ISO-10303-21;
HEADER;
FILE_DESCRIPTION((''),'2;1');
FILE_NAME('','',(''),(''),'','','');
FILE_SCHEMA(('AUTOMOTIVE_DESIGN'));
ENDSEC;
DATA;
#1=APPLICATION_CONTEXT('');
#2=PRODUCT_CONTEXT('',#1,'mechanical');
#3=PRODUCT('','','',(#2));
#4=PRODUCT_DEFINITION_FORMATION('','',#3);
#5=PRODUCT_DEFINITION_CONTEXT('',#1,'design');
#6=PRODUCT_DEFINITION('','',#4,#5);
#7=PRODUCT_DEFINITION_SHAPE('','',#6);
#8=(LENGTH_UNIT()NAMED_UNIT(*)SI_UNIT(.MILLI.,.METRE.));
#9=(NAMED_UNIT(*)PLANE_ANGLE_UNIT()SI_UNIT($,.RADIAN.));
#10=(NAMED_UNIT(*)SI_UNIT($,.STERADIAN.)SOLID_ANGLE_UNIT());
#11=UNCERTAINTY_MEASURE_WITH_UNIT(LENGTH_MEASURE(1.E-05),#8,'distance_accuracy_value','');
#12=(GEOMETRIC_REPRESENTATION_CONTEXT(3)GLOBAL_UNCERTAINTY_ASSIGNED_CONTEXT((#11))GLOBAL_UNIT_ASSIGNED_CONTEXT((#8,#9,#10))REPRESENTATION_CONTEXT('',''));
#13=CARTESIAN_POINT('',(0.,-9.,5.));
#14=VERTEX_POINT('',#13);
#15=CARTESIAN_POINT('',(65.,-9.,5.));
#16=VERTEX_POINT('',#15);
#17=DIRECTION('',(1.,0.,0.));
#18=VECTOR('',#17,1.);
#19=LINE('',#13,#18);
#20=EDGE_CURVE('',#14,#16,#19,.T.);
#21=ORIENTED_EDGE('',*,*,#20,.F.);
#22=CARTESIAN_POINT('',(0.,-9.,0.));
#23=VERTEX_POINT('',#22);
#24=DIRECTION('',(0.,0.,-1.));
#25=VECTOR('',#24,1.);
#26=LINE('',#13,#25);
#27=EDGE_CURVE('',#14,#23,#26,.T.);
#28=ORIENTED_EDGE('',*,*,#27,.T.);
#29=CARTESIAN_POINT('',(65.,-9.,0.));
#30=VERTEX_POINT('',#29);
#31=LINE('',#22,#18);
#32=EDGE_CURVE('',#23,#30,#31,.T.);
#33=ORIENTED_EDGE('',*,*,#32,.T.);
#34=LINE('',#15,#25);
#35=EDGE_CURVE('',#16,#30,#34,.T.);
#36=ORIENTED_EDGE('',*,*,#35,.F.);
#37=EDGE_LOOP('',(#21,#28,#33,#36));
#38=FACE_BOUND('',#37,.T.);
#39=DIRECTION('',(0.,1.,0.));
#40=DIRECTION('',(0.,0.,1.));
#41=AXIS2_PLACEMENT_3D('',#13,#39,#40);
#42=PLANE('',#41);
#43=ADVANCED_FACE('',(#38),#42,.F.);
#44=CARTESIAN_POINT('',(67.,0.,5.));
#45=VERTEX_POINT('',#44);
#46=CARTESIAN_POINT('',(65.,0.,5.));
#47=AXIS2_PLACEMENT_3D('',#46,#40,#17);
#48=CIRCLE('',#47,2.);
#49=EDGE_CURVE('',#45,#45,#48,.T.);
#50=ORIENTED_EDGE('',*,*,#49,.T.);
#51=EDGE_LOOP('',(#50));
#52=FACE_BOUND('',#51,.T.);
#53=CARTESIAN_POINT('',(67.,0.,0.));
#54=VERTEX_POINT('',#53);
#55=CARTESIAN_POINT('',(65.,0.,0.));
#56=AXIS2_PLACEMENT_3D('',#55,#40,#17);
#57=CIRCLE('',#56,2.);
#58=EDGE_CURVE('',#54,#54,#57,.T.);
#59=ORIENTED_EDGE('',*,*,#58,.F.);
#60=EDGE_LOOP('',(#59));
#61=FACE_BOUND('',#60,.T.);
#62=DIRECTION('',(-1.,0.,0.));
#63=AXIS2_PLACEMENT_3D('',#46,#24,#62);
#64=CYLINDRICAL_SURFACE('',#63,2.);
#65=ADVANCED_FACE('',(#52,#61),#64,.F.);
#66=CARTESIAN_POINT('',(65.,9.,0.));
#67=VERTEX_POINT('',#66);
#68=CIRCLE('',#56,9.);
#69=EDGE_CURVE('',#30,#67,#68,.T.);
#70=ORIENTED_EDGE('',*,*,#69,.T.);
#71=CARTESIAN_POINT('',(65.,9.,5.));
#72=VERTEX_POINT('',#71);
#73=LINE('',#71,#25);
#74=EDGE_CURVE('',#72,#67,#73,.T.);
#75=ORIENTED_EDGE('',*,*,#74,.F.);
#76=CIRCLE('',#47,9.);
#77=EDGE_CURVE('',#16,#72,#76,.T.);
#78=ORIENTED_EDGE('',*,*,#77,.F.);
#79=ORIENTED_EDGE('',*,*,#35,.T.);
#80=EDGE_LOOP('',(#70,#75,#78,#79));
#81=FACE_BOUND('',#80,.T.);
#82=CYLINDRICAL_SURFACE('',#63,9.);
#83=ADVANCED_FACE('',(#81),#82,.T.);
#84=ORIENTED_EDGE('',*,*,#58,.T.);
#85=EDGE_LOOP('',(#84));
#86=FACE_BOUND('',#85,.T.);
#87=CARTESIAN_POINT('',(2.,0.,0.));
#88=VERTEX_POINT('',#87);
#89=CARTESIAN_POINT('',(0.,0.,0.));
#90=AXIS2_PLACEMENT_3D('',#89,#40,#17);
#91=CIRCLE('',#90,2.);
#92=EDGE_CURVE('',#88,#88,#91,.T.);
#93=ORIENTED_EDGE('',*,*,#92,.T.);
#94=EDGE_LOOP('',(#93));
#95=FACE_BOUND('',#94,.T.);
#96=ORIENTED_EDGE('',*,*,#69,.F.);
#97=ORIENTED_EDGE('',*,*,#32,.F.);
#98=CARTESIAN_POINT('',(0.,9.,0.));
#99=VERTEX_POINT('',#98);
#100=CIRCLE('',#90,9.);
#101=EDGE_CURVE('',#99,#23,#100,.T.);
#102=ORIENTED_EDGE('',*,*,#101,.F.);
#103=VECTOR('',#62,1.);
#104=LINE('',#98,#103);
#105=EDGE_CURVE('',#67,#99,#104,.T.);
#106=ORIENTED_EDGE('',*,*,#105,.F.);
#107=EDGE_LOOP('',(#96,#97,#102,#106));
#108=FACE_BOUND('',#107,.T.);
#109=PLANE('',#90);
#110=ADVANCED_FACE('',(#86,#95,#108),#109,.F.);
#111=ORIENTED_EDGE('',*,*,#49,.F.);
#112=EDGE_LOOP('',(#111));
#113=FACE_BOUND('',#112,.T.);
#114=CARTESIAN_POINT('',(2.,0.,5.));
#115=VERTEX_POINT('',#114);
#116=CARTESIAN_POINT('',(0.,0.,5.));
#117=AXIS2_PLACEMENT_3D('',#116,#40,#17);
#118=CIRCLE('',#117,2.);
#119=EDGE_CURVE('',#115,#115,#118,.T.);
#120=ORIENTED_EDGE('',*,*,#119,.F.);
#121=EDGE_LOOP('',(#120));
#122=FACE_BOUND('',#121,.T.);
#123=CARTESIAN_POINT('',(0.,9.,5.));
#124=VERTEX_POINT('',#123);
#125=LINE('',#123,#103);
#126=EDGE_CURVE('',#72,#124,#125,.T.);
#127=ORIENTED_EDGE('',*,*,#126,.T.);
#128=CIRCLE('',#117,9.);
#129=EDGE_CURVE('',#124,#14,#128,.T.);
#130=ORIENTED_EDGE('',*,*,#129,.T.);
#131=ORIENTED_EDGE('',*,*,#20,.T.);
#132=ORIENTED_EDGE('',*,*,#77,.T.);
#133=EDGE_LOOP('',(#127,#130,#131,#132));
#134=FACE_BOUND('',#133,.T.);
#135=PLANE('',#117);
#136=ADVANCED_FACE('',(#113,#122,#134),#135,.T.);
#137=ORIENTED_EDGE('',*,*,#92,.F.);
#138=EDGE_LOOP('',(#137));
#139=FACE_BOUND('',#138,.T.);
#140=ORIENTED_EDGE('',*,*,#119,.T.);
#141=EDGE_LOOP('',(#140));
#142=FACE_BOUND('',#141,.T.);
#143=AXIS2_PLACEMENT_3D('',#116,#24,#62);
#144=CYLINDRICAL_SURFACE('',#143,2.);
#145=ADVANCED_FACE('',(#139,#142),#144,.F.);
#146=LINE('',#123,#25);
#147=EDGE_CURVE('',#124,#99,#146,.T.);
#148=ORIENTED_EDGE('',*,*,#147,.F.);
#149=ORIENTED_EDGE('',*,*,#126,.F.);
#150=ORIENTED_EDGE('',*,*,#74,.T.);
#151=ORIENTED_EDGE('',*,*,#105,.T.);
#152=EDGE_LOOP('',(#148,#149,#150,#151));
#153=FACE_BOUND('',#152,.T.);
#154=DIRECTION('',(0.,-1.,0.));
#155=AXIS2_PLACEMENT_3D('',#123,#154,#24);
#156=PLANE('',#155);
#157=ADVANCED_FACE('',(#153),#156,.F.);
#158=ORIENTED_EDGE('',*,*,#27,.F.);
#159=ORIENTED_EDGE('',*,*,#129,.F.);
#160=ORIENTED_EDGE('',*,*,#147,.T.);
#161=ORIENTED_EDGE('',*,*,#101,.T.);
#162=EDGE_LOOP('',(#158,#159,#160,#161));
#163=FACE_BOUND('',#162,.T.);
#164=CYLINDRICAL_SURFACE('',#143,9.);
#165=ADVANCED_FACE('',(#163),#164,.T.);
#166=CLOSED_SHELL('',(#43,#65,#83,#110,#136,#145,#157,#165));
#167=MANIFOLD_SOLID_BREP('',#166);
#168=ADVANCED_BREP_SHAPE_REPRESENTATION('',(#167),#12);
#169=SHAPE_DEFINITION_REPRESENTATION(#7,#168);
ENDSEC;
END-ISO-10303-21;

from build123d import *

# Parameters (mm, degrees)
ESQUISSE1_R        = 2
BOSS_EXTRU_1_DEPTH = 5


with BuildPart() as part:
    # Esquisse1 → Boss.-Extru.1 (new body)
    with BuildSketch(Plane.XY):
        with BuildLine():
            Line((0, 9), (65, 9))
            ThreePointArc((65, 9), (74, 0), (65, -9))
            Line((65, -9), (0, -9))
            ThreePointArc((0, -9), (-9, 0), (0, 9))
        make_face()
        Circle(ESQUISSE1_R, mode=Mode.SUBTRACT)
        with Locations((65, 0)):
            Circle(ESQUISSE1_R, mode=Mode.SUBTRACT)
    extrude(amount=BOSS_EXTRU_1_DEPTH)


solid = part.part
